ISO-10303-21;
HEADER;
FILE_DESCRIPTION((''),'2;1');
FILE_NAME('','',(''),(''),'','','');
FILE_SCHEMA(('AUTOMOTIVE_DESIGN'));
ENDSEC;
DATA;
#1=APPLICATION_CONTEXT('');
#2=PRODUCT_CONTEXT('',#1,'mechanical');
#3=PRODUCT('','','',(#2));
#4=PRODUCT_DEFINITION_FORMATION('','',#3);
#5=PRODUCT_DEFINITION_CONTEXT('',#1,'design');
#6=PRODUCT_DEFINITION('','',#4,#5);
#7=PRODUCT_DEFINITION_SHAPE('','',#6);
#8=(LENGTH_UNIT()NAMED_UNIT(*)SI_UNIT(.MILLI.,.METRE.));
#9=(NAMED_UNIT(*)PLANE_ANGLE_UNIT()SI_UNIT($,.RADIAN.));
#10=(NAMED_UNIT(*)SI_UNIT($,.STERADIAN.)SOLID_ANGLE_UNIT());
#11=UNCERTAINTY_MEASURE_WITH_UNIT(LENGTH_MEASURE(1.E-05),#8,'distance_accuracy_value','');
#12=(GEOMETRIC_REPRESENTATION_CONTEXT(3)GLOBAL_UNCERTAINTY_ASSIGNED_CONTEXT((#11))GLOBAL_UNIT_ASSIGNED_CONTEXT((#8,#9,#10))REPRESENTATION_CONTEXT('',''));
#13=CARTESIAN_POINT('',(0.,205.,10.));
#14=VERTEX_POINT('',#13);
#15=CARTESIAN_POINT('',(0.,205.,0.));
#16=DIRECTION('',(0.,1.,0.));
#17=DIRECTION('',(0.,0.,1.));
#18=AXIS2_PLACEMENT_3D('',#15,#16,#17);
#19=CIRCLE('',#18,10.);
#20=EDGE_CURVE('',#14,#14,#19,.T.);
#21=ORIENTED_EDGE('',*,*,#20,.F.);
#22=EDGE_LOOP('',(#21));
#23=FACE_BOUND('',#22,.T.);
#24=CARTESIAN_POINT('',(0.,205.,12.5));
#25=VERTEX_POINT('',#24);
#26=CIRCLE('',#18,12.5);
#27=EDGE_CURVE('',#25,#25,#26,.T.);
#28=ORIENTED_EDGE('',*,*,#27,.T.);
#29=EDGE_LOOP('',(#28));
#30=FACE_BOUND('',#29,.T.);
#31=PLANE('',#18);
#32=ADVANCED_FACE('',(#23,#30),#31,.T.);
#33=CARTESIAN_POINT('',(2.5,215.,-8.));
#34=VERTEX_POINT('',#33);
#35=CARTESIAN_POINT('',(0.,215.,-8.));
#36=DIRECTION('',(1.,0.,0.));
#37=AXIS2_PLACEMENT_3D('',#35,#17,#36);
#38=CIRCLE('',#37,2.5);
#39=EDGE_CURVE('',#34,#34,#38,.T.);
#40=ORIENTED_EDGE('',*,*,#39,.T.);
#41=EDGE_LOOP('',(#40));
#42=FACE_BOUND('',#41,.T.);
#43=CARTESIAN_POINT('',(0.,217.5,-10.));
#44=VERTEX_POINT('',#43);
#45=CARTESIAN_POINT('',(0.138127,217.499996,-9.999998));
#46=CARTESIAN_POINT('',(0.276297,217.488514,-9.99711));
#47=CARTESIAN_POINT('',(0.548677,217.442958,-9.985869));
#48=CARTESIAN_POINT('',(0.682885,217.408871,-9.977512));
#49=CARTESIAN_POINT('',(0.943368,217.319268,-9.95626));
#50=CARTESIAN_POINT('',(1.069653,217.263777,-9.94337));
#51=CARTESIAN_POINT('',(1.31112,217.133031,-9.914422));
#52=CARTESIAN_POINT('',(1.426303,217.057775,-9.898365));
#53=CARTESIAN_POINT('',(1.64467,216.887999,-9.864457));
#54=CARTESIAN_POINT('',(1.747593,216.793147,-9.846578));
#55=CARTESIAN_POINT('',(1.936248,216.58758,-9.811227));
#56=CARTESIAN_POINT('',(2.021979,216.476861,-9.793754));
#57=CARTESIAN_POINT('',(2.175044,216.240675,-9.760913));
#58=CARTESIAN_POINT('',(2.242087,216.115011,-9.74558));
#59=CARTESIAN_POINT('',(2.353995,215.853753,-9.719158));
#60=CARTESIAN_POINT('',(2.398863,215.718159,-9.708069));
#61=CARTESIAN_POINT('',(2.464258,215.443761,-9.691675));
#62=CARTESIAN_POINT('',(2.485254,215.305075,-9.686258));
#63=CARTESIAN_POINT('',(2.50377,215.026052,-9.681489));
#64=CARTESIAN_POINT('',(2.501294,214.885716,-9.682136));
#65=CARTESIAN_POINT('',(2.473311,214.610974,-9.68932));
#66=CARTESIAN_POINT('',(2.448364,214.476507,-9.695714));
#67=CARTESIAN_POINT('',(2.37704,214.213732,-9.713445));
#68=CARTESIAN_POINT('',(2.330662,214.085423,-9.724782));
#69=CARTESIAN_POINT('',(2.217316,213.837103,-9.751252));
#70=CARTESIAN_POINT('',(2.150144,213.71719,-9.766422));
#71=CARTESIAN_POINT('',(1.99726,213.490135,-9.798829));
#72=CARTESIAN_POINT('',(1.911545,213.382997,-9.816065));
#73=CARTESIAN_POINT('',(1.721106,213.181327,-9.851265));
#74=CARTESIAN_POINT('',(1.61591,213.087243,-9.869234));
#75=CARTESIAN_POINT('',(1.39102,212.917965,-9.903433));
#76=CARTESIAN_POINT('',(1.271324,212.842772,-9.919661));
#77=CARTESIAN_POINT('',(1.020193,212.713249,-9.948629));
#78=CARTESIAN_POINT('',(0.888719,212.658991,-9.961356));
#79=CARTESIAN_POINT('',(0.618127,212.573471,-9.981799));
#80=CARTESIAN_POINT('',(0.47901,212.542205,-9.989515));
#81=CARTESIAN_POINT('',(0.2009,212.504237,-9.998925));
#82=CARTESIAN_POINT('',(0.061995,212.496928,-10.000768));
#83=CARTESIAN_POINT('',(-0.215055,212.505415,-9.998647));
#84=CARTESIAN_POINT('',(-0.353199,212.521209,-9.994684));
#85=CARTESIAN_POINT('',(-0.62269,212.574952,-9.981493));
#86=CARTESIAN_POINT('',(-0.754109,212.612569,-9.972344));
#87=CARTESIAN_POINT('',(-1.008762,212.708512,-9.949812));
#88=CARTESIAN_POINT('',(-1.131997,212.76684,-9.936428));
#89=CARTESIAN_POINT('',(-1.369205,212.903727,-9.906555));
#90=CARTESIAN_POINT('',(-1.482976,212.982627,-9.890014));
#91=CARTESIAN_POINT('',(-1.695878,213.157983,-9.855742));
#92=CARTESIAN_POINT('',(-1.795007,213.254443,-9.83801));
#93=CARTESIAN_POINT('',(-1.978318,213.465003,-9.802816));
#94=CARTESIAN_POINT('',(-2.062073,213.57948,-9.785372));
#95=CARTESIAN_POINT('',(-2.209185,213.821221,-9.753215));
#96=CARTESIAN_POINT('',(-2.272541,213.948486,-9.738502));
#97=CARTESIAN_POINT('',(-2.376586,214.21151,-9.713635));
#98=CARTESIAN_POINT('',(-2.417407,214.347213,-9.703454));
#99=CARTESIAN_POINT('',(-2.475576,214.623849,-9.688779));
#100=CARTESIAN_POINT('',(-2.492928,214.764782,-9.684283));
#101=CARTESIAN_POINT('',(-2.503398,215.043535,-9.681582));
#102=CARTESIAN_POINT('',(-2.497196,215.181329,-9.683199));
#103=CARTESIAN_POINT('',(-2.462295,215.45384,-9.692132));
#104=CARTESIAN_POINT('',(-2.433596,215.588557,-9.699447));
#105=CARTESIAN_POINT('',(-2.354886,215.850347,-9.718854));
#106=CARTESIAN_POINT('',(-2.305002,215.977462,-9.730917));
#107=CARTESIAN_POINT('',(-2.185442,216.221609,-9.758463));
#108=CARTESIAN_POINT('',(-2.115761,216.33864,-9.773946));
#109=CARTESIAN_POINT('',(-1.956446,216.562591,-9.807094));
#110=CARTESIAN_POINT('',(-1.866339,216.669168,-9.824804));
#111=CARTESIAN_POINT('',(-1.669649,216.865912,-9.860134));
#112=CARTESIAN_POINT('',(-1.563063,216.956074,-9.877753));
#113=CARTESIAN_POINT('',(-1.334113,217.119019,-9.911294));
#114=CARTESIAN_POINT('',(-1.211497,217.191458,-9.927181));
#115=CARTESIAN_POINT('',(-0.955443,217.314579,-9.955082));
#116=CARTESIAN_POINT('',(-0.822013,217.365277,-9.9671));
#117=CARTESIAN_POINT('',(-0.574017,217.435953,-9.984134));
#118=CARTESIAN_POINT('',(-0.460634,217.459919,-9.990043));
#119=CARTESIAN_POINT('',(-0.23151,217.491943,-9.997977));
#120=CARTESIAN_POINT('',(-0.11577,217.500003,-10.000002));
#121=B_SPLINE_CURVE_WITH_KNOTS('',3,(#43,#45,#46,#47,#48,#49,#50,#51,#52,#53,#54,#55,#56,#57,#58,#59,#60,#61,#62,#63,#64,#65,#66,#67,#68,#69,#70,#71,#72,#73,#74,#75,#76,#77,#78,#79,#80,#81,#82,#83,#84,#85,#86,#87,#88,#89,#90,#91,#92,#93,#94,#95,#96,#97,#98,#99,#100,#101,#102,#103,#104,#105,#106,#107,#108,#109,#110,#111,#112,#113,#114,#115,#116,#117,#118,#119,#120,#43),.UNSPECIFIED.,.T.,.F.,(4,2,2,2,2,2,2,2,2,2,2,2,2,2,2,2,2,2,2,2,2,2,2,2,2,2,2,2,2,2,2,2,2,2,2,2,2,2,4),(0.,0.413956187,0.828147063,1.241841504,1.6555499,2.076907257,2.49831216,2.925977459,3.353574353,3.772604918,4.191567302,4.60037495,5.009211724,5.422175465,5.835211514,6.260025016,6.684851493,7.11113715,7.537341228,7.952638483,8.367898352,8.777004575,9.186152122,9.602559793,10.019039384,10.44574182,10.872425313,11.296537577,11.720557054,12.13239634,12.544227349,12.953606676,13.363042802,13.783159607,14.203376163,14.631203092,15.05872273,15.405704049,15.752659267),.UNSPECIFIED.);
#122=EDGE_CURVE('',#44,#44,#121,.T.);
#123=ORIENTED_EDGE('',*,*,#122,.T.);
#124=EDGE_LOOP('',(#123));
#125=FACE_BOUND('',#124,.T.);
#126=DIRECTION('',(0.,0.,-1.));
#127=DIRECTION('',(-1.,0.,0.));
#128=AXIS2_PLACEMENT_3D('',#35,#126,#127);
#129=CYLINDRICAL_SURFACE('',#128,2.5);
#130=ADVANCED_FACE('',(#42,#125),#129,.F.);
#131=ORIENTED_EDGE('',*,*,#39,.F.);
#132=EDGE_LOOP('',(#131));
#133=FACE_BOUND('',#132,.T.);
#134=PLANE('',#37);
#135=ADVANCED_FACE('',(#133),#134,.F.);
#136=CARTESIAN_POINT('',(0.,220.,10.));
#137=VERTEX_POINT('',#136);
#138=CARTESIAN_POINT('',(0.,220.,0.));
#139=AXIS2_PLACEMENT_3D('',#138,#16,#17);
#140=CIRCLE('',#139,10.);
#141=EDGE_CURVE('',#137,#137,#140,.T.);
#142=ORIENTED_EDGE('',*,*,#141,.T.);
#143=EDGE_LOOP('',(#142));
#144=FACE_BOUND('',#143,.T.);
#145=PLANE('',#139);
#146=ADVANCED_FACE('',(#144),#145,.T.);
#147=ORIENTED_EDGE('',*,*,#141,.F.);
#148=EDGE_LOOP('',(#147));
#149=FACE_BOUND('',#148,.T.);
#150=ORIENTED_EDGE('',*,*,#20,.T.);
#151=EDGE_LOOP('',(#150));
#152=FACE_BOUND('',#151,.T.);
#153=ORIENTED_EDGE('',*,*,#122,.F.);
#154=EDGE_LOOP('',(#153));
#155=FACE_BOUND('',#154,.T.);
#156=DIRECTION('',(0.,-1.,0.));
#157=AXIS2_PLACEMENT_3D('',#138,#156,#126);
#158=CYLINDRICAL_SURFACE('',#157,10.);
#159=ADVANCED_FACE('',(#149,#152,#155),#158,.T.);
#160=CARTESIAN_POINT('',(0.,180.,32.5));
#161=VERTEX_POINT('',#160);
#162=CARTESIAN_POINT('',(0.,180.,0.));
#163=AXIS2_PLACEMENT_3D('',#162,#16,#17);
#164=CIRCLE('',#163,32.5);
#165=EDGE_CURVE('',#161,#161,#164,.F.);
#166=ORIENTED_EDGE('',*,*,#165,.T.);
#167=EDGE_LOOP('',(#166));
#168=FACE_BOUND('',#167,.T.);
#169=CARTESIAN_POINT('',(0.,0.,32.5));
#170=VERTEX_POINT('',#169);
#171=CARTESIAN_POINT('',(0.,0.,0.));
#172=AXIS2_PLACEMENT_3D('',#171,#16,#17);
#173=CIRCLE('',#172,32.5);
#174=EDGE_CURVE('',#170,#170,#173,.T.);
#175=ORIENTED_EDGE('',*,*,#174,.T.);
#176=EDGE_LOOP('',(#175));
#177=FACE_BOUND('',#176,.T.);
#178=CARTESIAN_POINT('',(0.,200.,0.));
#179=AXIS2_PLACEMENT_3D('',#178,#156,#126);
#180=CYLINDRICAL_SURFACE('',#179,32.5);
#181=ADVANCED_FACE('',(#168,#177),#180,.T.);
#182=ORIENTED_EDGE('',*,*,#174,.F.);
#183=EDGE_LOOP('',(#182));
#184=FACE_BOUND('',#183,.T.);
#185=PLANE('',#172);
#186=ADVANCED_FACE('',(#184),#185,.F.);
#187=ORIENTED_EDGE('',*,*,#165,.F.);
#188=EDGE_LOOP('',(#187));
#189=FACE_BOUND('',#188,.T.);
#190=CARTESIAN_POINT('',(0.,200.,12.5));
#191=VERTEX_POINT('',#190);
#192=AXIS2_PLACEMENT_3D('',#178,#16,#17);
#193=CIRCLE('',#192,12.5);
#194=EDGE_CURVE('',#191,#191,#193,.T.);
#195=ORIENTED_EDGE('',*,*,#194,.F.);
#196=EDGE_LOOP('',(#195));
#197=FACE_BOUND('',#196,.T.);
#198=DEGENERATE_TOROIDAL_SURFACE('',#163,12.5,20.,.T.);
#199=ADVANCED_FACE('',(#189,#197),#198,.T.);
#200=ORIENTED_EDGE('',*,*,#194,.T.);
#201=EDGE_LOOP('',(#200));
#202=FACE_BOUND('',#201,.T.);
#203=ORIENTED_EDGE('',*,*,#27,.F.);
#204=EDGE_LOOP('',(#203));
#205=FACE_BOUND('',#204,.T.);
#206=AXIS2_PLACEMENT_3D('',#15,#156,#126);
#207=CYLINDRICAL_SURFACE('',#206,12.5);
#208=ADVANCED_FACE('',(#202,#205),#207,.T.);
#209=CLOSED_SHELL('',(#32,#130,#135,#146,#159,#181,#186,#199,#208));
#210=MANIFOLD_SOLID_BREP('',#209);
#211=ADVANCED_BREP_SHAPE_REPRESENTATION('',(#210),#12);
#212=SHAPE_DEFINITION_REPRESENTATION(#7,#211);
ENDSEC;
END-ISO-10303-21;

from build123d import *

# Parameters (mm, degrees)
SKETCH_1_R          = 32.5
EXTRUDE_1_DEPTH     = 200
FILLET_1_R          = 20
SKETCH_2_R          = 10
EXTRUDE_2_DEPTH     = 20
CUT_EXTRUDE_START   = -10
SKETCH_3_R          = 2.5
CUT_EXTRUDE_1_DEPTH = 2
SKETCH_2_3_R        = 12.5
SKETCH_2_3_R_2      = 10
EXTRUDE_3_DEPTH     = 5


with BuildPart() as part:
    # 스케치1 → 보스-돌출1 (new body)
    with BuildSketch(Plane(origin=(0, 0, 0), x_dir=(1, 0, 0), z_dir=(0, 1, 0))):
        Circle(SKETCH_1_R)
    extrude(amount=EXTRUDE_1_DEPTH)

    # 필렛1
    fillet_1_edges = [part.edges().sort_by_distance(p)[0] for p in [
        (-32.5, 200, 0),
    ]]
    fillet(fillet_1_edges, radius=FILLET_1_R)

    # 스케치2 → 보스-돌출2 (add)
    with BuildSketch(Plane(origin=(0, 200, 0), x_dir=(1, 0, 0), z_dir=(0, 1, 0))):
        Circle(SKETCH_2_R)
    extrude(amount=EXTRUDE_2_DEPTH)

    # 스케치3 → 컷-돌출1 (cut)
    with BuildSketch(Plane.XY.offset(CUT_EXTRUDE_START)):
        with Locations((0, 215)):
            Circle(SKETCH_3_R)
    extrude(amount=CUT_EXTRUDE_1_DEPTH, mode=Mode.SUBTRACT)

    # 스케치2<3> → 보스-돌출3 (add)
    with BuildSketch(Plane(origin=(0, 200, 0), x_dir=(1, 0, 0), z_dir=(0, 1, 0))):
        Circle(SKETCH_2_3_R)
        Circle(SKETCH_2_3_R_2, mode=Mode.SUBTRACT)
    extrude(amount=EXTRUDE_3_DEPTH)


solid = part.part
